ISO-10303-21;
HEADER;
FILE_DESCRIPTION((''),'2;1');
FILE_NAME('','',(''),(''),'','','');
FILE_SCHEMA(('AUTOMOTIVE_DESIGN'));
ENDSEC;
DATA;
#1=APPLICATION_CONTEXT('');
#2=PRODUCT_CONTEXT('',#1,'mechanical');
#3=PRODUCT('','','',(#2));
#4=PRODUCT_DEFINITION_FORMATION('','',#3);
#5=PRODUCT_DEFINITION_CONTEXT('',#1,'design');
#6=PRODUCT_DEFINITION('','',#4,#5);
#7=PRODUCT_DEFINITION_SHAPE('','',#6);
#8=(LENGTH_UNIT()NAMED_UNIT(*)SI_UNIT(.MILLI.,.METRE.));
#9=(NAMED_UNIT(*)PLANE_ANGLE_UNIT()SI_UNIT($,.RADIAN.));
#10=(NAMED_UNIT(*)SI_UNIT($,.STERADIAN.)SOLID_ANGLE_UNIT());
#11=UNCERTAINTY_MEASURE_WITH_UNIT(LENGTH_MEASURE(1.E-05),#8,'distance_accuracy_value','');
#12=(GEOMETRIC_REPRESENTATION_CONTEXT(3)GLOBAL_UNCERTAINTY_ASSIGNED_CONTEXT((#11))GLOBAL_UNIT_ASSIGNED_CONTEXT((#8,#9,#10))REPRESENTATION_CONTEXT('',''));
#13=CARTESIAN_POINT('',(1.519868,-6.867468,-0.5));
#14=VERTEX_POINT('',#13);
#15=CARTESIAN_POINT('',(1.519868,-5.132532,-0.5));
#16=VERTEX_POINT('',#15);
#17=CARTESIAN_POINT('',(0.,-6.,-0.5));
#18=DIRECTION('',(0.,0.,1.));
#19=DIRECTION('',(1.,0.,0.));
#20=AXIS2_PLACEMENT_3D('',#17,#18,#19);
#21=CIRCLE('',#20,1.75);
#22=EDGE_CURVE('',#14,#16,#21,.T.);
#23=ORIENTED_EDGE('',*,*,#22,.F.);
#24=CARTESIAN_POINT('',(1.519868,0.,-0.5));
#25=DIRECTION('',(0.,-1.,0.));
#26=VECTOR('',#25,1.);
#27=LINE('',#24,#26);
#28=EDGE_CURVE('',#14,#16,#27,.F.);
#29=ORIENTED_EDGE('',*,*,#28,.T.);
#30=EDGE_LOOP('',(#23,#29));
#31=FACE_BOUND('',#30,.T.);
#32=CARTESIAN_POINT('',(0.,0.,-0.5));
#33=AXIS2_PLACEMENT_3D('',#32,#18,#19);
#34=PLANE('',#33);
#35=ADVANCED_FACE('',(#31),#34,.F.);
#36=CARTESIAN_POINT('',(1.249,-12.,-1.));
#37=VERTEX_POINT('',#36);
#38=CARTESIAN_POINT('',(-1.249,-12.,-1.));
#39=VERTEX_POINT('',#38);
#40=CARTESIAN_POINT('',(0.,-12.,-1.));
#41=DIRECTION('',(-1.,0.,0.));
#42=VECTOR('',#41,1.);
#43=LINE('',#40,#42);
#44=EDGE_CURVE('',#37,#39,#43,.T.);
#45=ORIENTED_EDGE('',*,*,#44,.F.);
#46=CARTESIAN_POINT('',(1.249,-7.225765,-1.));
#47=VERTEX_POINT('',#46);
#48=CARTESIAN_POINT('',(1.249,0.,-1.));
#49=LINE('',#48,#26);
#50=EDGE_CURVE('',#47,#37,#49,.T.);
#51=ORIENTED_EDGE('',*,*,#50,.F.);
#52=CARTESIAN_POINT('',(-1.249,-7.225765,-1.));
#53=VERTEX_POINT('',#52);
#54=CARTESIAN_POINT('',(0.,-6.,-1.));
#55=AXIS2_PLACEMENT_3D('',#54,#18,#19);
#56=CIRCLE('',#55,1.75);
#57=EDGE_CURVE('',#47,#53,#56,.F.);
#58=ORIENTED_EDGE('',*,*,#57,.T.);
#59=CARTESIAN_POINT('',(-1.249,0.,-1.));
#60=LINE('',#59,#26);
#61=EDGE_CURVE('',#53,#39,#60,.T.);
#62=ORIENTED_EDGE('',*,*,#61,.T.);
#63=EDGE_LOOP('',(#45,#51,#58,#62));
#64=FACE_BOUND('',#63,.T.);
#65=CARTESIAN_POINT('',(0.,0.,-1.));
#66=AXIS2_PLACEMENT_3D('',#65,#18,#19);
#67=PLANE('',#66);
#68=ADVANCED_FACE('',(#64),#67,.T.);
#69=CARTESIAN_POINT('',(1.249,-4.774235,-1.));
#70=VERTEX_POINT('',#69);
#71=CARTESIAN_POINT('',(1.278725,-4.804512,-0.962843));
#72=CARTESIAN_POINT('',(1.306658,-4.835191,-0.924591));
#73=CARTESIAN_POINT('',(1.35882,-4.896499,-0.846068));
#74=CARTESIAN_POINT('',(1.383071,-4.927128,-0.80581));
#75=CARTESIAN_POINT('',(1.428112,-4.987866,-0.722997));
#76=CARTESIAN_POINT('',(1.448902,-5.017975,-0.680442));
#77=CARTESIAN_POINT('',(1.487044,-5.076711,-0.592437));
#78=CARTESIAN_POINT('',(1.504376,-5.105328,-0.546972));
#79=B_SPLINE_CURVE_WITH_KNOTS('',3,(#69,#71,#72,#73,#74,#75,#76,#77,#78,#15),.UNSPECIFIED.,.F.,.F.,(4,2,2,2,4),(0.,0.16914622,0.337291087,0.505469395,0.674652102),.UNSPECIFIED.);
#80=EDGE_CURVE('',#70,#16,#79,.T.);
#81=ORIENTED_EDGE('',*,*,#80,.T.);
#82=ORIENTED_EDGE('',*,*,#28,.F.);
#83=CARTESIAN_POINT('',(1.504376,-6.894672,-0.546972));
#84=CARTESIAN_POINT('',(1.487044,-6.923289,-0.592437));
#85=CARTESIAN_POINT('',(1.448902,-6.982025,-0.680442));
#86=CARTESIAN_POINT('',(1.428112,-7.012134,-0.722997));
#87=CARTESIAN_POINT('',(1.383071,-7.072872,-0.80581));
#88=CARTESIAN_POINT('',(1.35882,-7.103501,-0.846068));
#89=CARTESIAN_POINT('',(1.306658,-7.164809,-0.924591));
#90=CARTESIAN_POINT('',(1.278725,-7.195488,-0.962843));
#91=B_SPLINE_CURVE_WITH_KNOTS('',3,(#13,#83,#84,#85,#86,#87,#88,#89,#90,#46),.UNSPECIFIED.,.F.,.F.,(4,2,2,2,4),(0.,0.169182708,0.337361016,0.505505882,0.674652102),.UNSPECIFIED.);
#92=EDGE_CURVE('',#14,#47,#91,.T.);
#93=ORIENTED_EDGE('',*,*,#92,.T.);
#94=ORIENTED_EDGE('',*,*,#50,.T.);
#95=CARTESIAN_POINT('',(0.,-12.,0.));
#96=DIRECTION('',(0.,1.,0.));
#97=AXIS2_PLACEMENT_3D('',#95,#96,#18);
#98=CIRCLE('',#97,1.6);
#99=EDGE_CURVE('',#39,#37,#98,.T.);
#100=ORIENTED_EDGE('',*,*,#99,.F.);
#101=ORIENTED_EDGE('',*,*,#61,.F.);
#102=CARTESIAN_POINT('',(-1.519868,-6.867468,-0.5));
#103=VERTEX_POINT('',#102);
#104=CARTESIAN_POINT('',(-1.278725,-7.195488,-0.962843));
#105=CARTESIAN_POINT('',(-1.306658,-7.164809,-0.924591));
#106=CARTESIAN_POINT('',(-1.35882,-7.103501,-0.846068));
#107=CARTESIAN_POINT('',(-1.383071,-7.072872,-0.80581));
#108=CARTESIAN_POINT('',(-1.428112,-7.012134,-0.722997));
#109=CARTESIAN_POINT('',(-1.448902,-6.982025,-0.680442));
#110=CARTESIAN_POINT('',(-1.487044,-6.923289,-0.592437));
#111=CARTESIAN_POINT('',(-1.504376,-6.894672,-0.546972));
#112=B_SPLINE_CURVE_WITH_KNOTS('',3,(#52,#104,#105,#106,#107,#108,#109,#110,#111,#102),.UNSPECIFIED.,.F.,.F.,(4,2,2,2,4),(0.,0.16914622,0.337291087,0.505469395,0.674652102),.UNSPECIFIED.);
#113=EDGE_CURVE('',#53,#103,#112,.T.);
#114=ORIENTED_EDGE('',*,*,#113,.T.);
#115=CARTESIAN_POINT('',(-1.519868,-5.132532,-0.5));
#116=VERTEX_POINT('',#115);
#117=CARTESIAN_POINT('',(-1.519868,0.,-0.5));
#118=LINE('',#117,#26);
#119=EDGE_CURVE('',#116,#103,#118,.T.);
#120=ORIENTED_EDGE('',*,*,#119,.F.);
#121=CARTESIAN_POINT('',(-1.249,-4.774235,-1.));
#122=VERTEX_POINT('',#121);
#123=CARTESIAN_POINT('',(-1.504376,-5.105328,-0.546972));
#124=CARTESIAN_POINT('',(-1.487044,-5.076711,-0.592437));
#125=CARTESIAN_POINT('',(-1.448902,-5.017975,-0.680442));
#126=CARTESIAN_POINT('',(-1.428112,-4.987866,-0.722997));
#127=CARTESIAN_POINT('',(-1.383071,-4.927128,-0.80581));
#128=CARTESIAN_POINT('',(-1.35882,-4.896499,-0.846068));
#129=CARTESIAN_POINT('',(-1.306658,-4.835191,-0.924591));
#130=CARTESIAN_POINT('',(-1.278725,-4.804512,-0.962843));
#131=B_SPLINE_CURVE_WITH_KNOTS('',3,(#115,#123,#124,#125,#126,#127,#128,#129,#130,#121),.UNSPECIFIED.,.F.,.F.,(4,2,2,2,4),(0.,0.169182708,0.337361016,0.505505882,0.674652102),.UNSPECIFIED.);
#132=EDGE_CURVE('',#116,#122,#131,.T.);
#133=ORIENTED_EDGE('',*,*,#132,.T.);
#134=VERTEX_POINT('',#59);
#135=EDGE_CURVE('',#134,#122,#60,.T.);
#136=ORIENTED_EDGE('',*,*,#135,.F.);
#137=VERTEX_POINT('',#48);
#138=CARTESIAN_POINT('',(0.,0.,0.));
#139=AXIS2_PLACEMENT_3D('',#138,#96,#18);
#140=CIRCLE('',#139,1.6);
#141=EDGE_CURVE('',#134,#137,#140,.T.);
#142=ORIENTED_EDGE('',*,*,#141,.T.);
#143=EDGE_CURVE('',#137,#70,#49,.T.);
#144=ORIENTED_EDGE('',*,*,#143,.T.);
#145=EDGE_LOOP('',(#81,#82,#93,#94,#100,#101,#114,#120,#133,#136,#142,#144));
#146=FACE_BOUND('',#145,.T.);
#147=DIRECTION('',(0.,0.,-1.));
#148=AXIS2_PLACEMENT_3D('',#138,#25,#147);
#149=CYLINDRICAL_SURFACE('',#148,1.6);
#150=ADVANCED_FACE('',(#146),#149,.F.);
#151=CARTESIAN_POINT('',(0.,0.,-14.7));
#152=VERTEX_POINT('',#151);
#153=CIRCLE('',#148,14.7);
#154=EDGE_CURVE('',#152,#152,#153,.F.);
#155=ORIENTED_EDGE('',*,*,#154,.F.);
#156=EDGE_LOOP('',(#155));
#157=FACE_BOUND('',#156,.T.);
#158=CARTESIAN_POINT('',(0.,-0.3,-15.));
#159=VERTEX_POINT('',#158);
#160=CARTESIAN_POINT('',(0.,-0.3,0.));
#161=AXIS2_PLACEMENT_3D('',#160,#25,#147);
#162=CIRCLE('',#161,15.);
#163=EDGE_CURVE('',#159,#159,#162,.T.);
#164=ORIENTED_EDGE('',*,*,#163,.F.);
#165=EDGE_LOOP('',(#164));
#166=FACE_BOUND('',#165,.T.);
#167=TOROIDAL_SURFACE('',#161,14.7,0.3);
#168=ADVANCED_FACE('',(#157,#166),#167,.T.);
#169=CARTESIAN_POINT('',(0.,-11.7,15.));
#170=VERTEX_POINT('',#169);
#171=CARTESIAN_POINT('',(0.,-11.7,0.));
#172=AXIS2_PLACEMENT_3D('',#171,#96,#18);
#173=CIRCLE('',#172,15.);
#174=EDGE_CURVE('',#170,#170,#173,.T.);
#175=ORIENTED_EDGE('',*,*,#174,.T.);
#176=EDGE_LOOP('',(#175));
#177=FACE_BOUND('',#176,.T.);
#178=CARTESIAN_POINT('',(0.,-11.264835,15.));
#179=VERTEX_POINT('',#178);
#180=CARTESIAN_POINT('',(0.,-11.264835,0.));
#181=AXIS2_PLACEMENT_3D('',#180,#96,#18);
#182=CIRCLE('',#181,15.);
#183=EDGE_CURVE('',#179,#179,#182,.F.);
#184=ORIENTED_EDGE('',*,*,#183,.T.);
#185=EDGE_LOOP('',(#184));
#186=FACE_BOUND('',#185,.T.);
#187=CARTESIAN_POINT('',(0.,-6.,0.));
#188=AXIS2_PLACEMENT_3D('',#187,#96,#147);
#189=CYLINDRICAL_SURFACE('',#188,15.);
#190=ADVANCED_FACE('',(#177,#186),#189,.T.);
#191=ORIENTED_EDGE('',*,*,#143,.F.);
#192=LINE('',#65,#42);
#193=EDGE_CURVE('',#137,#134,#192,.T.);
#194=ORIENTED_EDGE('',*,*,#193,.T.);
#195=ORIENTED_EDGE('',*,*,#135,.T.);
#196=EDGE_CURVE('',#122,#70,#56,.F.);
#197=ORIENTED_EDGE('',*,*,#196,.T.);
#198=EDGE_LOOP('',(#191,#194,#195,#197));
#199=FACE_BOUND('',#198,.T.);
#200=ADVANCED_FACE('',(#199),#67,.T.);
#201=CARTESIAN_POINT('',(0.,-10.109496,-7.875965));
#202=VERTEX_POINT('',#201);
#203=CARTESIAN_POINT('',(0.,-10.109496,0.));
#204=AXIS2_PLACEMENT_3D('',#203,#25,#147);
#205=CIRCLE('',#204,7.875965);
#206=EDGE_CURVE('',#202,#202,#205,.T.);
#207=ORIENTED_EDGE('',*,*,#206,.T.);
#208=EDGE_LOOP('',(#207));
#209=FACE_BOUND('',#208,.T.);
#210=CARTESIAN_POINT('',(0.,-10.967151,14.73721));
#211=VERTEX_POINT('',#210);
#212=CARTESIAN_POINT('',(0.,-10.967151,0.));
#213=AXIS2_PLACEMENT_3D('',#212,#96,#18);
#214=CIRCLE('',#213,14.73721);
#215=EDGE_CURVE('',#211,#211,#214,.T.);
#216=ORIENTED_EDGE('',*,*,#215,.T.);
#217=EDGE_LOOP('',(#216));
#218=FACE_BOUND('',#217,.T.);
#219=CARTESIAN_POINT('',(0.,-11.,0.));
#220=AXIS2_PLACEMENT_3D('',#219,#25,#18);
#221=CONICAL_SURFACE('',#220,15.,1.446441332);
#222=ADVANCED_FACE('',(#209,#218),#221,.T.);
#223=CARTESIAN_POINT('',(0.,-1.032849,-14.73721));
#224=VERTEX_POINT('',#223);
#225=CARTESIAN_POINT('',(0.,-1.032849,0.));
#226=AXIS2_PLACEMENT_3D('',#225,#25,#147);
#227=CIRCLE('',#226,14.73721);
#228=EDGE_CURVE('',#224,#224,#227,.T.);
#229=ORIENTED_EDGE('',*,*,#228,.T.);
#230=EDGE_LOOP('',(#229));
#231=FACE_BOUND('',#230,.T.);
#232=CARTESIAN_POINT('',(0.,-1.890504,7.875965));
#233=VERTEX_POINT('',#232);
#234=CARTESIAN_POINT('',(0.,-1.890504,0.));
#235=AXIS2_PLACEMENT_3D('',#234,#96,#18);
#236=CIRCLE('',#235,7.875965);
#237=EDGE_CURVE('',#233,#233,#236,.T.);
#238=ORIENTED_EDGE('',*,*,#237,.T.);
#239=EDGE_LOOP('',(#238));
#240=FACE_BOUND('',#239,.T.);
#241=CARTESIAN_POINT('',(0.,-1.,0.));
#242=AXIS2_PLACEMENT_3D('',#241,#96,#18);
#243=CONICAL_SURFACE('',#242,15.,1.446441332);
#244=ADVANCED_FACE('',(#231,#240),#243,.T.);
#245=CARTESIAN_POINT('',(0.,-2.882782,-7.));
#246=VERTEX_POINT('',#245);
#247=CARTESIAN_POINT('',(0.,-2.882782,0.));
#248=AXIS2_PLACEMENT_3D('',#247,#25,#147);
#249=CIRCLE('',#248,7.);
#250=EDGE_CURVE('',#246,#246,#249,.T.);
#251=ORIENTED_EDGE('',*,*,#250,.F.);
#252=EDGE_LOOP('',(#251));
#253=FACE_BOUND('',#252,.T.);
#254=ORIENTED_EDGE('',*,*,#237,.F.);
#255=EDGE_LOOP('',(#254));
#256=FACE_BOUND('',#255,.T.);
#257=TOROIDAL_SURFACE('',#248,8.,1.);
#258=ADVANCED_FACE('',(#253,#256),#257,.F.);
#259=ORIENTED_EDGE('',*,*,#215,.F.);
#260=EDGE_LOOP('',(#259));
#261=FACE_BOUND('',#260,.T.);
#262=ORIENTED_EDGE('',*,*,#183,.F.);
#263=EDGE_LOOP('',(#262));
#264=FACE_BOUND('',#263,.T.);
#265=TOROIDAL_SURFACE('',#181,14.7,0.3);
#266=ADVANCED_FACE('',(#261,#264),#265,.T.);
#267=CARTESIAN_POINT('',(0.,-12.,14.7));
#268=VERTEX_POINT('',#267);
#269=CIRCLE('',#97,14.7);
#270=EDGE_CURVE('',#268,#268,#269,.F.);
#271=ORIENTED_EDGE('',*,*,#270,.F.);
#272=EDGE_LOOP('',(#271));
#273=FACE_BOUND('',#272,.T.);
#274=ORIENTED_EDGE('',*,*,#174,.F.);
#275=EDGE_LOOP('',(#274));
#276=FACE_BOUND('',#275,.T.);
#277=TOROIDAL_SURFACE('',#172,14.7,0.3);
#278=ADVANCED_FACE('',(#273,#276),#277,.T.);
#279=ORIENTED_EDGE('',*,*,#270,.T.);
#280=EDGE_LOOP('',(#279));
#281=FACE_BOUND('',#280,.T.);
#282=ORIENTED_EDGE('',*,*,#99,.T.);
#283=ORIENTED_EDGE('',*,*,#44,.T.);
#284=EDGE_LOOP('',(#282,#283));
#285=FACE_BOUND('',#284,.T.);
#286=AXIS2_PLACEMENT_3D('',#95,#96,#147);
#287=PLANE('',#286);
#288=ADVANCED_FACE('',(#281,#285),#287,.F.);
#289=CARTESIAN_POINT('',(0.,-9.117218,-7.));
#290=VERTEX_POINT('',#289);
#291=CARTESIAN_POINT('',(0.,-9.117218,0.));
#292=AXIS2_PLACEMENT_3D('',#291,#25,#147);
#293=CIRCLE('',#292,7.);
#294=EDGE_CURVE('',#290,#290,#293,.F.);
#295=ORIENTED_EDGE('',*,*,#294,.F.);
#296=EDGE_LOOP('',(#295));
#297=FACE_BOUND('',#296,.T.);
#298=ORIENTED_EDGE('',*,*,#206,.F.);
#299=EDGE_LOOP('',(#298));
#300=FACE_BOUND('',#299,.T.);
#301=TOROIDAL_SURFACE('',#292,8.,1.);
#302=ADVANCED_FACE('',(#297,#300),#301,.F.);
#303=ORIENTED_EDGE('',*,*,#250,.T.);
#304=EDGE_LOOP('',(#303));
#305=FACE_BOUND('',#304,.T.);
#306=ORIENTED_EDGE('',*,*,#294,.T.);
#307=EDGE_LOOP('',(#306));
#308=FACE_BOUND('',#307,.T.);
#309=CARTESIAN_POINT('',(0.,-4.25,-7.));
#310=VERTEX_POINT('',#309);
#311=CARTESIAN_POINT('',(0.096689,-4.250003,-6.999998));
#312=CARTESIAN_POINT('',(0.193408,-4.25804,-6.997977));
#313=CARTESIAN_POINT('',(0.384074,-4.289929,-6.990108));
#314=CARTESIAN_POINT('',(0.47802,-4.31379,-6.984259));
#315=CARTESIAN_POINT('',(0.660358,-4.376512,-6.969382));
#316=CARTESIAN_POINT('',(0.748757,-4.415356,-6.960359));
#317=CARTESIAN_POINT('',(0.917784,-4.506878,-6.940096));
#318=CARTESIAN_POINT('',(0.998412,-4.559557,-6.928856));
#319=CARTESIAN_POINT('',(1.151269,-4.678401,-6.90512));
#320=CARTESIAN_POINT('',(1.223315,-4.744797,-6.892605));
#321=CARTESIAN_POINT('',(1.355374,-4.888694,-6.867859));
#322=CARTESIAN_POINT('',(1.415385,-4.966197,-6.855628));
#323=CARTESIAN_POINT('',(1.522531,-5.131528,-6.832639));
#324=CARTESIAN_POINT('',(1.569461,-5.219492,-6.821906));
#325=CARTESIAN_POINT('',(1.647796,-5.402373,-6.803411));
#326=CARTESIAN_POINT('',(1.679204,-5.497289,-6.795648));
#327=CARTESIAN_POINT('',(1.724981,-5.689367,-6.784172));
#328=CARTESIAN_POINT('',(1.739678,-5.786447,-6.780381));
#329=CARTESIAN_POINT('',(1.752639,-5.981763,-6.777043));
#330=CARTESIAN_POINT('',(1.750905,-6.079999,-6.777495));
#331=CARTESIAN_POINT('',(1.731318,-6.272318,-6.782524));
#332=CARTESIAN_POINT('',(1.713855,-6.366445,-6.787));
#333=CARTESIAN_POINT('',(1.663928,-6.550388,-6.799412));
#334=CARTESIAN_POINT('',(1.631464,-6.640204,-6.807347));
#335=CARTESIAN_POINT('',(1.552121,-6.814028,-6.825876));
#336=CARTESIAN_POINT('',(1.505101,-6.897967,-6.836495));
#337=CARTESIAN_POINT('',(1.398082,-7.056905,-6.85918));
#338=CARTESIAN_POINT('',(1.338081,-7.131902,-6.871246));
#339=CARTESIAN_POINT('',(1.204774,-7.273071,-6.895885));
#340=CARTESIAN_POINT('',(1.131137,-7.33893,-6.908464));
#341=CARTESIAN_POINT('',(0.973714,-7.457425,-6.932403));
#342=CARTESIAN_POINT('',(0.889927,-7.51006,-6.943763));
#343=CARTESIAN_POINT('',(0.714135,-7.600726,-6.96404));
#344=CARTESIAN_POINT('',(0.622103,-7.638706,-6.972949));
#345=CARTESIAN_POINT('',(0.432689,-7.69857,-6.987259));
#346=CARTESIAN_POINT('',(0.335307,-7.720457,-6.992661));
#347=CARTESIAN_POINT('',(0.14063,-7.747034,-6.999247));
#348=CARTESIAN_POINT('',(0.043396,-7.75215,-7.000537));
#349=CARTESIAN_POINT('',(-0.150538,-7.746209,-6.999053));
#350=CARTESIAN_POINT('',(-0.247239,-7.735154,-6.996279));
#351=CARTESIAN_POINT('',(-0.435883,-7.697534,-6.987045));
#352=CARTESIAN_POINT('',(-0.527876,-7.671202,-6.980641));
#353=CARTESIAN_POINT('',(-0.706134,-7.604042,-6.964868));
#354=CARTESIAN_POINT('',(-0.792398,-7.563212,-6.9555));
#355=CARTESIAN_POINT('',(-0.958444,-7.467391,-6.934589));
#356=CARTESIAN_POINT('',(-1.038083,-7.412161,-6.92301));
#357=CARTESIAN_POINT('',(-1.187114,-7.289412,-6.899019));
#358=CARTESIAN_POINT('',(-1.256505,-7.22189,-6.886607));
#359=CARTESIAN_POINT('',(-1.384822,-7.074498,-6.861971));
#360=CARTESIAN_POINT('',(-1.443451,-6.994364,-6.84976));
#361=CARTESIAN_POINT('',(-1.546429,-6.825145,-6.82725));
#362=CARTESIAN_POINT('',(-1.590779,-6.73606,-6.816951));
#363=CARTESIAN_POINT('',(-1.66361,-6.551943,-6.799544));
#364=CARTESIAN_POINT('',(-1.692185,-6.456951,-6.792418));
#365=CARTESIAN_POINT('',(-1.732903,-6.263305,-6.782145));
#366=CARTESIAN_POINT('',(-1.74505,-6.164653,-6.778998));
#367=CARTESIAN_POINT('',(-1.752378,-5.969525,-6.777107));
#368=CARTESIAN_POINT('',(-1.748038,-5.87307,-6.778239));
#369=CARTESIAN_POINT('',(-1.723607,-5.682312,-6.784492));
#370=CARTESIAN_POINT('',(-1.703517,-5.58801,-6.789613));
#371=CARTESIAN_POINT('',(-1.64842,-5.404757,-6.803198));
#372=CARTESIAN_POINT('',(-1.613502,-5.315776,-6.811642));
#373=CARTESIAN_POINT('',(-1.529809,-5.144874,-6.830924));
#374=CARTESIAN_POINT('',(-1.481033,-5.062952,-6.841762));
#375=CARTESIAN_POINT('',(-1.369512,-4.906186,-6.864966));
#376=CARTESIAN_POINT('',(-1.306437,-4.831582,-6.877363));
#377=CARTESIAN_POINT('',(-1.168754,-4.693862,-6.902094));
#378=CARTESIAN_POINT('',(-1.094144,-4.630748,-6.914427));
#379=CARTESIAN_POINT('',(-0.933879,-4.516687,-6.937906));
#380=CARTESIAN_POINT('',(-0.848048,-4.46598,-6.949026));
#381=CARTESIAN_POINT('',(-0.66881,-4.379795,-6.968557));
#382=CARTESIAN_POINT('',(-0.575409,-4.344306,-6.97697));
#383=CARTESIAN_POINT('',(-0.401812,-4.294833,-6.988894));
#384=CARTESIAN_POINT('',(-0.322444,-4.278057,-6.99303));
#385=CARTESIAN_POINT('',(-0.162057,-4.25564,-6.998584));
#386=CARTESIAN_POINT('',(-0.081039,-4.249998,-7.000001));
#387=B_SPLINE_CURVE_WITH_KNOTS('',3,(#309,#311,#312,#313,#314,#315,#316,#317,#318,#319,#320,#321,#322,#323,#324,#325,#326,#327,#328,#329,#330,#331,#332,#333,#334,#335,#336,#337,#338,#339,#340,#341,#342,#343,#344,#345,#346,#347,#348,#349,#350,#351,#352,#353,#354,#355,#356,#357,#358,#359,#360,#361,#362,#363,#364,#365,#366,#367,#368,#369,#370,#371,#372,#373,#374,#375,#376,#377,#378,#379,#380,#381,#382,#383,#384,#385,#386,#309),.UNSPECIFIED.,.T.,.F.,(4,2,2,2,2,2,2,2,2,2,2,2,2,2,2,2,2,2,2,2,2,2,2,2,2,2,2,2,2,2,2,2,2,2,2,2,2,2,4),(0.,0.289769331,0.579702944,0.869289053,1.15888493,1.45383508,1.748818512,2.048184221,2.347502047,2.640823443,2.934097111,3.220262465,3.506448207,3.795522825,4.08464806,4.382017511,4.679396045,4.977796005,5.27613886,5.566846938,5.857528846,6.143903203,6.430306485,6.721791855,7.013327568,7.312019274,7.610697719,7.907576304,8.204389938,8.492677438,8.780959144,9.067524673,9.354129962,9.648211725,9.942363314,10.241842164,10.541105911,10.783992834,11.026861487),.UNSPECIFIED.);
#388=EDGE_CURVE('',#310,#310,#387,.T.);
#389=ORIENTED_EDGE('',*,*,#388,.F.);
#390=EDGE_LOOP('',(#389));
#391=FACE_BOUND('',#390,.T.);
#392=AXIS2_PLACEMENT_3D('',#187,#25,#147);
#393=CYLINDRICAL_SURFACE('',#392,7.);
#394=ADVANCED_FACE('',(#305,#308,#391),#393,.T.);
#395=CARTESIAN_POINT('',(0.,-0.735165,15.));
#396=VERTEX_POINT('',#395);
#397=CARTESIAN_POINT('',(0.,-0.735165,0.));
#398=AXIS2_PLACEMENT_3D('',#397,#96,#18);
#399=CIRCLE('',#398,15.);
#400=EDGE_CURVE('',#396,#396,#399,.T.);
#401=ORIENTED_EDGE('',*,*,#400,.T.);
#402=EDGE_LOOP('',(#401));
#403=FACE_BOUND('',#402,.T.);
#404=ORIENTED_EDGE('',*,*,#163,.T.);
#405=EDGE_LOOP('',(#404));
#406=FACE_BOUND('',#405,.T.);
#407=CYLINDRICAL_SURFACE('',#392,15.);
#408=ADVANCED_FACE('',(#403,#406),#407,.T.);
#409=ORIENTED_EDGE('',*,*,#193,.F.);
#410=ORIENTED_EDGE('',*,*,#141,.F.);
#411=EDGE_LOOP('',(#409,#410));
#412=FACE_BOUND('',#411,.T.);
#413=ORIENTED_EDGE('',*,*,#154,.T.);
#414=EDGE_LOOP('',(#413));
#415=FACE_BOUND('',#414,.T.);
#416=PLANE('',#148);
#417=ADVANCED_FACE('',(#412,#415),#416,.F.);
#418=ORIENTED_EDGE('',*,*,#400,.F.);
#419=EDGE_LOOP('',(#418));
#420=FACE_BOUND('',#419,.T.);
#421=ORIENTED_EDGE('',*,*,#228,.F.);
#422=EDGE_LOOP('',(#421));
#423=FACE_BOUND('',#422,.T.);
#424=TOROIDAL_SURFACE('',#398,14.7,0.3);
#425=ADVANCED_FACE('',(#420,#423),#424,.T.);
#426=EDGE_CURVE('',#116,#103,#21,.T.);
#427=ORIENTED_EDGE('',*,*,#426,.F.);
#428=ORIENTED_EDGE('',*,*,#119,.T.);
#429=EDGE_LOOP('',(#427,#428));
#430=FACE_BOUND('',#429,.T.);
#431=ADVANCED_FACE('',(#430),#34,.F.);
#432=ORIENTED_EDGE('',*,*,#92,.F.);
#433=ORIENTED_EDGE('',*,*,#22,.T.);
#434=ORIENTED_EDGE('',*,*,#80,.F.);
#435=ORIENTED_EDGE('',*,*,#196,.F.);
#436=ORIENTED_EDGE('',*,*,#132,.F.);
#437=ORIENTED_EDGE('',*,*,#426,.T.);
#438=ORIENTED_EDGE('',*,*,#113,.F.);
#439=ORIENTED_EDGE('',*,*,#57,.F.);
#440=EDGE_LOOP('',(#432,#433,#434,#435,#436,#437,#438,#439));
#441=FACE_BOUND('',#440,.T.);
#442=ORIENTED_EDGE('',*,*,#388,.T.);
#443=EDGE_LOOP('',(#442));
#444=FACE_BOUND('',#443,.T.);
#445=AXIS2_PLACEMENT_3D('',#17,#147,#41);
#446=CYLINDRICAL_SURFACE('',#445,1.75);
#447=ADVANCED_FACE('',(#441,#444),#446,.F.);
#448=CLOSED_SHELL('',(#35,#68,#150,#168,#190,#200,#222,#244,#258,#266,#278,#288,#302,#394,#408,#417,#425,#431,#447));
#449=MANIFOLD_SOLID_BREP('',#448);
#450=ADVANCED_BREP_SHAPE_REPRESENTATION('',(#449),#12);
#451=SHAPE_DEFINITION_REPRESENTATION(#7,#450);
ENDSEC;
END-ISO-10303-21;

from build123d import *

# Parameters (mm, degrees)
CUT_EXTRUDE1_START = -12
CUT_EXTRUDE1_DEPTH = 37.372115214
FILLET1_R          = 1
FILLET2_R          = 0.3
CUT_EXTRUDE2_DEPTH = 10.5


with BuildPart() as part:
    # Sketch1 → Revolve1 (revolve)
    with BuildSketch(Plane.XY, mode=Mode.PRIVATE) as revolve1_sk:
        Polygon((0, 0), (-15, 0), (-15, -1), (-7, -2), (-7, -6), (0, -6), align=None)
    revolve1 = revolve(revolve1_sk.sketch.rotate(Axis((0, -6, 0), (0, 1, 0)), 270), axis=Axis((0, -6, 0), (0, 1, 0)))

    # Mirror1: Revolve1 across plane
    add(revolve1.mirror(Plane(origin=(-7, -6, 0), x_dir=(0, 0, 1), z_dir=(0, 1, 0))))

    # Sketch2 → Cut-Extrude1 (cut, through all)
    with BuildSketch(Plane(origin=(0, 0, 0), x_dir=(1, 0, 0), z_dir=(0, 1, 0)).offset(CUT_EXTRUDE1_START)):
        with BuildLine():
            Line((-1.2489996, 1), (1.2489996, 1))
            ThreePointArc((1.2489996, 1), (0, -1.6), (-1.2489996, 1))
        make_face()
    extrude(amount=CUT_EXTRUDE1_DEPTH, mode=Mode.SUBTRACT)

    # Fillet1
    fillet1_edges = [part.edges().sort_by_distance(p)[0] for p in [
        (0, -10, 7),
        (0, -2, 7),
    ]]
    fillet(fillet1_edges, radius=FILLET1_R)

    # Fillet2
    fillet2_edges = [part.edges().sort_by_distance(p)[0] for p in [
        (0, -12, 15),
        (0, -11, 15),
        (0, -1, 15),
        (0, 0, 15),
    ]]
    fillet(fillet2_edges, radius=FILLET2_R)

    # Sketch3 → Cut-Extrude2 (cut)
    with BuildSketch(Plane.XY.offset(-11)):
        with BuildLine():
            ThreePointArc((1.75, -6), (1.237436867, -4.762563133), (0, -4.25))
            Line((0, -4.25), (0, -7.75))
            ThreePointArc((0, -7.75), (1.237436867, -7.237436867), (1.75, -6))
        make_face()
        with BuildLine():
            Line((0, -7.75), (0, -4.25))
            ThreePointArc((0, -4.25), (-1.75, -6), (0, -7.75))
        make_face()
    extrude(amount=CUT_EXTRUDE2_DEPTH, mode=Mode.SUBTRACT)


solid = part.part
